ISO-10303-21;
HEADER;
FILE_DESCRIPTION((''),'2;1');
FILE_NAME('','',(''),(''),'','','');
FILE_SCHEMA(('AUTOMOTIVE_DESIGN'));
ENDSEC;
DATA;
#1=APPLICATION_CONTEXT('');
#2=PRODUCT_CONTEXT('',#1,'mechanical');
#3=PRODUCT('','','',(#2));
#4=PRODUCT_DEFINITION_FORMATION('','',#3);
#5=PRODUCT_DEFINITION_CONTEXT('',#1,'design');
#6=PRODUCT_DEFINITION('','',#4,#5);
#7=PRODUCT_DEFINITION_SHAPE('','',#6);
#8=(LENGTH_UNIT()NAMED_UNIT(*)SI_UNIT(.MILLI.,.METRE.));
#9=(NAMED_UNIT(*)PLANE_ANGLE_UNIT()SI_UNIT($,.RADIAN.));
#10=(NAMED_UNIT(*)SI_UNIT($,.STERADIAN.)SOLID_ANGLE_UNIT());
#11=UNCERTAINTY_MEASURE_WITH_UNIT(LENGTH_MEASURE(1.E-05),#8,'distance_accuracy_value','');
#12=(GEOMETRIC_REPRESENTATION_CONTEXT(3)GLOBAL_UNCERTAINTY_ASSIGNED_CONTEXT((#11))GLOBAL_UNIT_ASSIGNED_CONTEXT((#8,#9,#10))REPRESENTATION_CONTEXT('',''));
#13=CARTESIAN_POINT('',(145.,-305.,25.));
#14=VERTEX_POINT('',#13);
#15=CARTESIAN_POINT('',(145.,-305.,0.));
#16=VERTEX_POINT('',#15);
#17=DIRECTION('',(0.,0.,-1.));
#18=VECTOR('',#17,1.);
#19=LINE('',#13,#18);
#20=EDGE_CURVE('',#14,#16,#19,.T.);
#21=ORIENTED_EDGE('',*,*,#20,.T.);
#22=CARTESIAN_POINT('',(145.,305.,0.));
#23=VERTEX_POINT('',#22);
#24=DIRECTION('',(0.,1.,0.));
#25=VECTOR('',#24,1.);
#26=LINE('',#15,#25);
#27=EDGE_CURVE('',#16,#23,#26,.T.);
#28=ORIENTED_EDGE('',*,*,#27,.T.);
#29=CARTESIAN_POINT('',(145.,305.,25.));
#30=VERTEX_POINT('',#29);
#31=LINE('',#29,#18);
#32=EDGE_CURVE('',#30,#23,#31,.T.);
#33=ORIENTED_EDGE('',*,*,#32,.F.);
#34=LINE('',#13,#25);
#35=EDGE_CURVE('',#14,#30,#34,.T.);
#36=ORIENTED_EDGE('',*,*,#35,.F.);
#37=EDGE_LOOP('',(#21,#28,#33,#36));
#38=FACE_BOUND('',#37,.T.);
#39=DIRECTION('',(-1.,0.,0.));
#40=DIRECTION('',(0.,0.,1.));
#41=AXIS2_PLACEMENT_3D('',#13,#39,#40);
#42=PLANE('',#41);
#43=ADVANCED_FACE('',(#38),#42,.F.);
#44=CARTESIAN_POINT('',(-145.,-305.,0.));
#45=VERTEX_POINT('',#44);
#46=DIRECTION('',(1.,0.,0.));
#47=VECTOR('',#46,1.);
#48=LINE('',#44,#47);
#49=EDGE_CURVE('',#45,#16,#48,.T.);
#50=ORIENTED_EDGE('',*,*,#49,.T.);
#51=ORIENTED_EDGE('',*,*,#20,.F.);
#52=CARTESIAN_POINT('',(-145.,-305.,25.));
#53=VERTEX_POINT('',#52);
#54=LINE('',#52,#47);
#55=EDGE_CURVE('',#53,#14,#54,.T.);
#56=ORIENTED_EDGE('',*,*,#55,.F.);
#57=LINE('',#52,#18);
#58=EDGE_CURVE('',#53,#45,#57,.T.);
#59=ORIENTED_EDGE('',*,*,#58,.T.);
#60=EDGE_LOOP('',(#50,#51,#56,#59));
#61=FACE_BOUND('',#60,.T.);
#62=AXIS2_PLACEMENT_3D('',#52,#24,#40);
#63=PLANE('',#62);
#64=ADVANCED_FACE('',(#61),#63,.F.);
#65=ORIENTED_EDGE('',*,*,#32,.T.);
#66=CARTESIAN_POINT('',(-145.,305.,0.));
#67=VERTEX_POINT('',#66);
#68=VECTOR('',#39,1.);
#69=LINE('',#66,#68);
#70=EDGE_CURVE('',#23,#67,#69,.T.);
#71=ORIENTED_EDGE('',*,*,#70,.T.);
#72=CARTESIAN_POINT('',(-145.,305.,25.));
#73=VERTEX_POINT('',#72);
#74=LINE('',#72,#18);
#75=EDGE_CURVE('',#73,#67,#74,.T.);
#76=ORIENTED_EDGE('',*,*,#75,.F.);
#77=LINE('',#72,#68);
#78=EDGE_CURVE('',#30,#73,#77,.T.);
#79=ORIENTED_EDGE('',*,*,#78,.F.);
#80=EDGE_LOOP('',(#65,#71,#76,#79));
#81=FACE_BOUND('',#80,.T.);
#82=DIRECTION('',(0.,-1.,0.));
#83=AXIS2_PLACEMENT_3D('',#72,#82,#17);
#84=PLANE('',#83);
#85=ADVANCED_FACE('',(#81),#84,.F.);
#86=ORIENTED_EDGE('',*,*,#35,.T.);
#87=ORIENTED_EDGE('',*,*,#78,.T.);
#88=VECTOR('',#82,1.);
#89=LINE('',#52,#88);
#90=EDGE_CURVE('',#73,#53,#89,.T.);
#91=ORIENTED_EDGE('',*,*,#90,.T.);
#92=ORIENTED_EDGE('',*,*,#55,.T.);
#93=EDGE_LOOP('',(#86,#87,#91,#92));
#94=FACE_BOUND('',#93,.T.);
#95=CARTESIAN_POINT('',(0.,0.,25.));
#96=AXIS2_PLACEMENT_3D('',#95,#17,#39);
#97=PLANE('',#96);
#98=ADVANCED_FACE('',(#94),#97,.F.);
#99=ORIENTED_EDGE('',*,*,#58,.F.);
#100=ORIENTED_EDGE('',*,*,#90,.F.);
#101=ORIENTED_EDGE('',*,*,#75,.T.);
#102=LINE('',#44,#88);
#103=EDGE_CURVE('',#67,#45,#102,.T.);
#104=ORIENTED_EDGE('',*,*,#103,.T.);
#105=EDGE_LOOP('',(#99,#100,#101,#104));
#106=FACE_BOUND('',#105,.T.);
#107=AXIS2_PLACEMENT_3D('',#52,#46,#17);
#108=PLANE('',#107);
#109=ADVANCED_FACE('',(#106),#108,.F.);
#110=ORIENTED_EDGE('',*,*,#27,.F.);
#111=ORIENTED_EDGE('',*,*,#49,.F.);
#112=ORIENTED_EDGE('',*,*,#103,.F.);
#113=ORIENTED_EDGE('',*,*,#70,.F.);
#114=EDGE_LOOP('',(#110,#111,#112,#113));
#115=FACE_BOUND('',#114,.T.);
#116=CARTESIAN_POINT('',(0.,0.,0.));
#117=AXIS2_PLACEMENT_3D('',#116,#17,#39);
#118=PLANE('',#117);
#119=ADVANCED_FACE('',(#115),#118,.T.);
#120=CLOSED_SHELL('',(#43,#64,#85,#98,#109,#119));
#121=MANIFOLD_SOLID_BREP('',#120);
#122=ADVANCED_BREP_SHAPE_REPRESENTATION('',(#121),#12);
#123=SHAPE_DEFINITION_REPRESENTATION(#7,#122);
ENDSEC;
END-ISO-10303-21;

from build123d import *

# Parameters (mm, degrees)
SKETCH2_W           = 290
SKETCH2_H           = 610
BOSS_EXTRUDE1_DEPTH = 25


with BuildPart() as part:
    # Sketch2 → Boss-Extrude1 (new body)
    with BuildSketch(Plane.XY):
        Rectangle(SKETCH2_W, SKETCH2_H)
    extrude(amount=BOSS_EXTRUDE1_DEPTH)


solid = part.part
